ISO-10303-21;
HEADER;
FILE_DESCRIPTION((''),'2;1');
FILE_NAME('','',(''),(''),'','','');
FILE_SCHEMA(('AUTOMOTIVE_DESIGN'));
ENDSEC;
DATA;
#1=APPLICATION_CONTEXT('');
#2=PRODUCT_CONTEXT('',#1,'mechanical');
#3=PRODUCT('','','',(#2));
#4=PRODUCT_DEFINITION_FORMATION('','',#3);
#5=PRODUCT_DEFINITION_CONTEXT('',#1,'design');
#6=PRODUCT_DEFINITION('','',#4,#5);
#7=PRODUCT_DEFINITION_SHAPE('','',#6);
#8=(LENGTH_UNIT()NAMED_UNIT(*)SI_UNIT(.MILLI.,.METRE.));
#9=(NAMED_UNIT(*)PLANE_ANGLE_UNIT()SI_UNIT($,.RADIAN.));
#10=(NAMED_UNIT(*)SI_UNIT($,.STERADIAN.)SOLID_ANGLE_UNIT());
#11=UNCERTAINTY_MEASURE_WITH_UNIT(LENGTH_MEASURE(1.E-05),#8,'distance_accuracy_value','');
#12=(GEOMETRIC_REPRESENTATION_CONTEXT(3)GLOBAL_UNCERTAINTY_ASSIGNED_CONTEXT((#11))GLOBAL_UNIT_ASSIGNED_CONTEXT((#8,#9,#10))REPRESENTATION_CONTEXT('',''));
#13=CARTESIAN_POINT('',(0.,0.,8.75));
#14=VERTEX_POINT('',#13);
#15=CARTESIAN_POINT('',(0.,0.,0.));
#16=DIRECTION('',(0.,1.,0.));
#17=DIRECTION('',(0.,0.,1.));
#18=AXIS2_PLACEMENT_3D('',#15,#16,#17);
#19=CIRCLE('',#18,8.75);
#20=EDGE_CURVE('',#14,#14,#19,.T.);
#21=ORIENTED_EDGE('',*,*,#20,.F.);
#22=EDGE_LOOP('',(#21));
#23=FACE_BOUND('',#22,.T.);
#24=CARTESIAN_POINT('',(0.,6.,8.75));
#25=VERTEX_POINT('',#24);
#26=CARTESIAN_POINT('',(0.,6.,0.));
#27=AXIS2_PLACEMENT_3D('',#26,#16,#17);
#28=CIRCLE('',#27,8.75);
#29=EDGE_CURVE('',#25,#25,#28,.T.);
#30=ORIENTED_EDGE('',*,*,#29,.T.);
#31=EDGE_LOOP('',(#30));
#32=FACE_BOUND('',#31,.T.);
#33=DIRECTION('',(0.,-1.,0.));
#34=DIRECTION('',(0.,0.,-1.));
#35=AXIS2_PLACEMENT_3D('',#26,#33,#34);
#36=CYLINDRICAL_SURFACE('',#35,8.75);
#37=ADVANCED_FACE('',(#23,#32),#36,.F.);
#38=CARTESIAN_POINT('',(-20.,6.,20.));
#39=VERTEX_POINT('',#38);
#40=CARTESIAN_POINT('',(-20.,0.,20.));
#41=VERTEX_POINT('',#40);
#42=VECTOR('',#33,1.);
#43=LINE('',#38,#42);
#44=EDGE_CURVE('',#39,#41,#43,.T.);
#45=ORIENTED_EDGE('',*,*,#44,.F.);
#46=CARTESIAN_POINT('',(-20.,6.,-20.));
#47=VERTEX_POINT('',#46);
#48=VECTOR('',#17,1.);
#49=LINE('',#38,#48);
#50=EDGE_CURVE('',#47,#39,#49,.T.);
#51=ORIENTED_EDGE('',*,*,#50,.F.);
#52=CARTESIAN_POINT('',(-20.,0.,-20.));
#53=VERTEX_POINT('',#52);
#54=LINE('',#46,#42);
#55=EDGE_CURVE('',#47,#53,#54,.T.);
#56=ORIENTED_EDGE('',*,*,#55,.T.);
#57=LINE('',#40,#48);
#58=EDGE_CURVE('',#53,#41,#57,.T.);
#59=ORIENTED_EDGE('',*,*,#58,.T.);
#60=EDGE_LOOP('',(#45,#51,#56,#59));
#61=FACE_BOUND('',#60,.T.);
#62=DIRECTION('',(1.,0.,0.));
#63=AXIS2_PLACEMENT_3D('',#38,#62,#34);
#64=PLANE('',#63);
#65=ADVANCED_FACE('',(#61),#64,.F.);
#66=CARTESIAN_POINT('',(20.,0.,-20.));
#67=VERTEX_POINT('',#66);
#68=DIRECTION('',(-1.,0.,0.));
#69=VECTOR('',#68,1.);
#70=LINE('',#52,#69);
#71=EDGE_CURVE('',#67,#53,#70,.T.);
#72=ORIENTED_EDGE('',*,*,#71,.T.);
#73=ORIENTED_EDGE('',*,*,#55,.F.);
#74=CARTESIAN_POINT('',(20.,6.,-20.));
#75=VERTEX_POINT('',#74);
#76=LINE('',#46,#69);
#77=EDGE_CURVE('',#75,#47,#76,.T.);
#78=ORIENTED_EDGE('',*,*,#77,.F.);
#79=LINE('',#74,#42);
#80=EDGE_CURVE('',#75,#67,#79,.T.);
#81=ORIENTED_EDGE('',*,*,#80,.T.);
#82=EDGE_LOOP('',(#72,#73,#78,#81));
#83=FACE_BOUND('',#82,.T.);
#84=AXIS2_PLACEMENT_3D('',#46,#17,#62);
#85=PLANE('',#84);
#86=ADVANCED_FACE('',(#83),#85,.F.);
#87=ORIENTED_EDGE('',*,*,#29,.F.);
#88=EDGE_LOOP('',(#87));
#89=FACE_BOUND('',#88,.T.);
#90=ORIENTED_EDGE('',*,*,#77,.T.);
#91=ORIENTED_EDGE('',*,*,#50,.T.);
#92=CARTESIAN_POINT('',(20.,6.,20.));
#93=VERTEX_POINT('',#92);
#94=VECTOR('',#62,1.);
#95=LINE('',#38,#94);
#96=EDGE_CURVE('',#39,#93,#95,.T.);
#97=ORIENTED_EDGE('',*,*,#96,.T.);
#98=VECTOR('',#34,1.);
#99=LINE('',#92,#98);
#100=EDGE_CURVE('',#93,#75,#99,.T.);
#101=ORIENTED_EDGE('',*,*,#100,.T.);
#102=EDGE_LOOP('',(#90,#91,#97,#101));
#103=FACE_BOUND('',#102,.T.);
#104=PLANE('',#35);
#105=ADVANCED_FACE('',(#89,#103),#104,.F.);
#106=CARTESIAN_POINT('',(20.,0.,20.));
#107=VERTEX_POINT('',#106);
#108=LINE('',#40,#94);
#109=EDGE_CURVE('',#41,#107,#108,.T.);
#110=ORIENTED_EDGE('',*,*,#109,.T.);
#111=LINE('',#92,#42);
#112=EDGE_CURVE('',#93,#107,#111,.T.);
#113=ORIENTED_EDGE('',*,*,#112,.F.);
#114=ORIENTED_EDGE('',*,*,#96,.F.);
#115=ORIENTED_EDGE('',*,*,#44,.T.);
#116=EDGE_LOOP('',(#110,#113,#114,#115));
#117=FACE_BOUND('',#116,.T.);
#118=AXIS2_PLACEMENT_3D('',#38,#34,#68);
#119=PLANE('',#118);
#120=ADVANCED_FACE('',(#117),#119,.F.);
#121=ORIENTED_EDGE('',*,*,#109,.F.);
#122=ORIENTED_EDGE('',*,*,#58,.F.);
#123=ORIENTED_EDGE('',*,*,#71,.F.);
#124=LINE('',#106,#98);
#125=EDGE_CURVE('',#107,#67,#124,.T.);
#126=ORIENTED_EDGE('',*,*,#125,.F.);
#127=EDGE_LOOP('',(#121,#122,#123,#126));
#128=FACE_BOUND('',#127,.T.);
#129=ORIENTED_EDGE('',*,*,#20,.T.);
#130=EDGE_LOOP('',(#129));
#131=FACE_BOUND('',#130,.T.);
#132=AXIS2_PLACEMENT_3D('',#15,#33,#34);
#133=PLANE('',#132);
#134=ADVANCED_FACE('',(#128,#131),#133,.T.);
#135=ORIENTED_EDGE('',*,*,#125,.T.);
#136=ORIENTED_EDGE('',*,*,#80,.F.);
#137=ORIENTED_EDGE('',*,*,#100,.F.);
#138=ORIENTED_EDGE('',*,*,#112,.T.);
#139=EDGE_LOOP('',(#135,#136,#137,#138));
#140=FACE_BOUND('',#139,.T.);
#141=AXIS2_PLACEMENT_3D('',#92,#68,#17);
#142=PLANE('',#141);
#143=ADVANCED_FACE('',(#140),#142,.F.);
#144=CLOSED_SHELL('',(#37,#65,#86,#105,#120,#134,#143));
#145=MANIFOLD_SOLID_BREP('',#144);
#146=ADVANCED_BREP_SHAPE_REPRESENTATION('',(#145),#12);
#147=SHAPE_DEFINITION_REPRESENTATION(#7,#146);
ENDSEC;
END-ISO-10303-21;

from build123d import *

# Parameters (mm, degrees)
SKETCH1_W           = 40
SKETCH1_H           = 40
SKETCH1_R           = 8.75
BOSS_EXTRUDE1_DEPTH = 6


with BuildPart() as part:
    # Sketch1 → Boss-Extrude1 (new body)
    with BuildSketch(Plane(origin=(0, 0, 0), x_dir=(1, 0, 0), z_dir=(0, 1, 0))):
        Rectangle(SKETCH1_W, SKETCH1_H)
        Circle(SKETCH1_R, mode=Mode.SUBTRACT)
    extrude(amount=BOSS_EXTRUDE1_DEPTH)


solid = part.part
